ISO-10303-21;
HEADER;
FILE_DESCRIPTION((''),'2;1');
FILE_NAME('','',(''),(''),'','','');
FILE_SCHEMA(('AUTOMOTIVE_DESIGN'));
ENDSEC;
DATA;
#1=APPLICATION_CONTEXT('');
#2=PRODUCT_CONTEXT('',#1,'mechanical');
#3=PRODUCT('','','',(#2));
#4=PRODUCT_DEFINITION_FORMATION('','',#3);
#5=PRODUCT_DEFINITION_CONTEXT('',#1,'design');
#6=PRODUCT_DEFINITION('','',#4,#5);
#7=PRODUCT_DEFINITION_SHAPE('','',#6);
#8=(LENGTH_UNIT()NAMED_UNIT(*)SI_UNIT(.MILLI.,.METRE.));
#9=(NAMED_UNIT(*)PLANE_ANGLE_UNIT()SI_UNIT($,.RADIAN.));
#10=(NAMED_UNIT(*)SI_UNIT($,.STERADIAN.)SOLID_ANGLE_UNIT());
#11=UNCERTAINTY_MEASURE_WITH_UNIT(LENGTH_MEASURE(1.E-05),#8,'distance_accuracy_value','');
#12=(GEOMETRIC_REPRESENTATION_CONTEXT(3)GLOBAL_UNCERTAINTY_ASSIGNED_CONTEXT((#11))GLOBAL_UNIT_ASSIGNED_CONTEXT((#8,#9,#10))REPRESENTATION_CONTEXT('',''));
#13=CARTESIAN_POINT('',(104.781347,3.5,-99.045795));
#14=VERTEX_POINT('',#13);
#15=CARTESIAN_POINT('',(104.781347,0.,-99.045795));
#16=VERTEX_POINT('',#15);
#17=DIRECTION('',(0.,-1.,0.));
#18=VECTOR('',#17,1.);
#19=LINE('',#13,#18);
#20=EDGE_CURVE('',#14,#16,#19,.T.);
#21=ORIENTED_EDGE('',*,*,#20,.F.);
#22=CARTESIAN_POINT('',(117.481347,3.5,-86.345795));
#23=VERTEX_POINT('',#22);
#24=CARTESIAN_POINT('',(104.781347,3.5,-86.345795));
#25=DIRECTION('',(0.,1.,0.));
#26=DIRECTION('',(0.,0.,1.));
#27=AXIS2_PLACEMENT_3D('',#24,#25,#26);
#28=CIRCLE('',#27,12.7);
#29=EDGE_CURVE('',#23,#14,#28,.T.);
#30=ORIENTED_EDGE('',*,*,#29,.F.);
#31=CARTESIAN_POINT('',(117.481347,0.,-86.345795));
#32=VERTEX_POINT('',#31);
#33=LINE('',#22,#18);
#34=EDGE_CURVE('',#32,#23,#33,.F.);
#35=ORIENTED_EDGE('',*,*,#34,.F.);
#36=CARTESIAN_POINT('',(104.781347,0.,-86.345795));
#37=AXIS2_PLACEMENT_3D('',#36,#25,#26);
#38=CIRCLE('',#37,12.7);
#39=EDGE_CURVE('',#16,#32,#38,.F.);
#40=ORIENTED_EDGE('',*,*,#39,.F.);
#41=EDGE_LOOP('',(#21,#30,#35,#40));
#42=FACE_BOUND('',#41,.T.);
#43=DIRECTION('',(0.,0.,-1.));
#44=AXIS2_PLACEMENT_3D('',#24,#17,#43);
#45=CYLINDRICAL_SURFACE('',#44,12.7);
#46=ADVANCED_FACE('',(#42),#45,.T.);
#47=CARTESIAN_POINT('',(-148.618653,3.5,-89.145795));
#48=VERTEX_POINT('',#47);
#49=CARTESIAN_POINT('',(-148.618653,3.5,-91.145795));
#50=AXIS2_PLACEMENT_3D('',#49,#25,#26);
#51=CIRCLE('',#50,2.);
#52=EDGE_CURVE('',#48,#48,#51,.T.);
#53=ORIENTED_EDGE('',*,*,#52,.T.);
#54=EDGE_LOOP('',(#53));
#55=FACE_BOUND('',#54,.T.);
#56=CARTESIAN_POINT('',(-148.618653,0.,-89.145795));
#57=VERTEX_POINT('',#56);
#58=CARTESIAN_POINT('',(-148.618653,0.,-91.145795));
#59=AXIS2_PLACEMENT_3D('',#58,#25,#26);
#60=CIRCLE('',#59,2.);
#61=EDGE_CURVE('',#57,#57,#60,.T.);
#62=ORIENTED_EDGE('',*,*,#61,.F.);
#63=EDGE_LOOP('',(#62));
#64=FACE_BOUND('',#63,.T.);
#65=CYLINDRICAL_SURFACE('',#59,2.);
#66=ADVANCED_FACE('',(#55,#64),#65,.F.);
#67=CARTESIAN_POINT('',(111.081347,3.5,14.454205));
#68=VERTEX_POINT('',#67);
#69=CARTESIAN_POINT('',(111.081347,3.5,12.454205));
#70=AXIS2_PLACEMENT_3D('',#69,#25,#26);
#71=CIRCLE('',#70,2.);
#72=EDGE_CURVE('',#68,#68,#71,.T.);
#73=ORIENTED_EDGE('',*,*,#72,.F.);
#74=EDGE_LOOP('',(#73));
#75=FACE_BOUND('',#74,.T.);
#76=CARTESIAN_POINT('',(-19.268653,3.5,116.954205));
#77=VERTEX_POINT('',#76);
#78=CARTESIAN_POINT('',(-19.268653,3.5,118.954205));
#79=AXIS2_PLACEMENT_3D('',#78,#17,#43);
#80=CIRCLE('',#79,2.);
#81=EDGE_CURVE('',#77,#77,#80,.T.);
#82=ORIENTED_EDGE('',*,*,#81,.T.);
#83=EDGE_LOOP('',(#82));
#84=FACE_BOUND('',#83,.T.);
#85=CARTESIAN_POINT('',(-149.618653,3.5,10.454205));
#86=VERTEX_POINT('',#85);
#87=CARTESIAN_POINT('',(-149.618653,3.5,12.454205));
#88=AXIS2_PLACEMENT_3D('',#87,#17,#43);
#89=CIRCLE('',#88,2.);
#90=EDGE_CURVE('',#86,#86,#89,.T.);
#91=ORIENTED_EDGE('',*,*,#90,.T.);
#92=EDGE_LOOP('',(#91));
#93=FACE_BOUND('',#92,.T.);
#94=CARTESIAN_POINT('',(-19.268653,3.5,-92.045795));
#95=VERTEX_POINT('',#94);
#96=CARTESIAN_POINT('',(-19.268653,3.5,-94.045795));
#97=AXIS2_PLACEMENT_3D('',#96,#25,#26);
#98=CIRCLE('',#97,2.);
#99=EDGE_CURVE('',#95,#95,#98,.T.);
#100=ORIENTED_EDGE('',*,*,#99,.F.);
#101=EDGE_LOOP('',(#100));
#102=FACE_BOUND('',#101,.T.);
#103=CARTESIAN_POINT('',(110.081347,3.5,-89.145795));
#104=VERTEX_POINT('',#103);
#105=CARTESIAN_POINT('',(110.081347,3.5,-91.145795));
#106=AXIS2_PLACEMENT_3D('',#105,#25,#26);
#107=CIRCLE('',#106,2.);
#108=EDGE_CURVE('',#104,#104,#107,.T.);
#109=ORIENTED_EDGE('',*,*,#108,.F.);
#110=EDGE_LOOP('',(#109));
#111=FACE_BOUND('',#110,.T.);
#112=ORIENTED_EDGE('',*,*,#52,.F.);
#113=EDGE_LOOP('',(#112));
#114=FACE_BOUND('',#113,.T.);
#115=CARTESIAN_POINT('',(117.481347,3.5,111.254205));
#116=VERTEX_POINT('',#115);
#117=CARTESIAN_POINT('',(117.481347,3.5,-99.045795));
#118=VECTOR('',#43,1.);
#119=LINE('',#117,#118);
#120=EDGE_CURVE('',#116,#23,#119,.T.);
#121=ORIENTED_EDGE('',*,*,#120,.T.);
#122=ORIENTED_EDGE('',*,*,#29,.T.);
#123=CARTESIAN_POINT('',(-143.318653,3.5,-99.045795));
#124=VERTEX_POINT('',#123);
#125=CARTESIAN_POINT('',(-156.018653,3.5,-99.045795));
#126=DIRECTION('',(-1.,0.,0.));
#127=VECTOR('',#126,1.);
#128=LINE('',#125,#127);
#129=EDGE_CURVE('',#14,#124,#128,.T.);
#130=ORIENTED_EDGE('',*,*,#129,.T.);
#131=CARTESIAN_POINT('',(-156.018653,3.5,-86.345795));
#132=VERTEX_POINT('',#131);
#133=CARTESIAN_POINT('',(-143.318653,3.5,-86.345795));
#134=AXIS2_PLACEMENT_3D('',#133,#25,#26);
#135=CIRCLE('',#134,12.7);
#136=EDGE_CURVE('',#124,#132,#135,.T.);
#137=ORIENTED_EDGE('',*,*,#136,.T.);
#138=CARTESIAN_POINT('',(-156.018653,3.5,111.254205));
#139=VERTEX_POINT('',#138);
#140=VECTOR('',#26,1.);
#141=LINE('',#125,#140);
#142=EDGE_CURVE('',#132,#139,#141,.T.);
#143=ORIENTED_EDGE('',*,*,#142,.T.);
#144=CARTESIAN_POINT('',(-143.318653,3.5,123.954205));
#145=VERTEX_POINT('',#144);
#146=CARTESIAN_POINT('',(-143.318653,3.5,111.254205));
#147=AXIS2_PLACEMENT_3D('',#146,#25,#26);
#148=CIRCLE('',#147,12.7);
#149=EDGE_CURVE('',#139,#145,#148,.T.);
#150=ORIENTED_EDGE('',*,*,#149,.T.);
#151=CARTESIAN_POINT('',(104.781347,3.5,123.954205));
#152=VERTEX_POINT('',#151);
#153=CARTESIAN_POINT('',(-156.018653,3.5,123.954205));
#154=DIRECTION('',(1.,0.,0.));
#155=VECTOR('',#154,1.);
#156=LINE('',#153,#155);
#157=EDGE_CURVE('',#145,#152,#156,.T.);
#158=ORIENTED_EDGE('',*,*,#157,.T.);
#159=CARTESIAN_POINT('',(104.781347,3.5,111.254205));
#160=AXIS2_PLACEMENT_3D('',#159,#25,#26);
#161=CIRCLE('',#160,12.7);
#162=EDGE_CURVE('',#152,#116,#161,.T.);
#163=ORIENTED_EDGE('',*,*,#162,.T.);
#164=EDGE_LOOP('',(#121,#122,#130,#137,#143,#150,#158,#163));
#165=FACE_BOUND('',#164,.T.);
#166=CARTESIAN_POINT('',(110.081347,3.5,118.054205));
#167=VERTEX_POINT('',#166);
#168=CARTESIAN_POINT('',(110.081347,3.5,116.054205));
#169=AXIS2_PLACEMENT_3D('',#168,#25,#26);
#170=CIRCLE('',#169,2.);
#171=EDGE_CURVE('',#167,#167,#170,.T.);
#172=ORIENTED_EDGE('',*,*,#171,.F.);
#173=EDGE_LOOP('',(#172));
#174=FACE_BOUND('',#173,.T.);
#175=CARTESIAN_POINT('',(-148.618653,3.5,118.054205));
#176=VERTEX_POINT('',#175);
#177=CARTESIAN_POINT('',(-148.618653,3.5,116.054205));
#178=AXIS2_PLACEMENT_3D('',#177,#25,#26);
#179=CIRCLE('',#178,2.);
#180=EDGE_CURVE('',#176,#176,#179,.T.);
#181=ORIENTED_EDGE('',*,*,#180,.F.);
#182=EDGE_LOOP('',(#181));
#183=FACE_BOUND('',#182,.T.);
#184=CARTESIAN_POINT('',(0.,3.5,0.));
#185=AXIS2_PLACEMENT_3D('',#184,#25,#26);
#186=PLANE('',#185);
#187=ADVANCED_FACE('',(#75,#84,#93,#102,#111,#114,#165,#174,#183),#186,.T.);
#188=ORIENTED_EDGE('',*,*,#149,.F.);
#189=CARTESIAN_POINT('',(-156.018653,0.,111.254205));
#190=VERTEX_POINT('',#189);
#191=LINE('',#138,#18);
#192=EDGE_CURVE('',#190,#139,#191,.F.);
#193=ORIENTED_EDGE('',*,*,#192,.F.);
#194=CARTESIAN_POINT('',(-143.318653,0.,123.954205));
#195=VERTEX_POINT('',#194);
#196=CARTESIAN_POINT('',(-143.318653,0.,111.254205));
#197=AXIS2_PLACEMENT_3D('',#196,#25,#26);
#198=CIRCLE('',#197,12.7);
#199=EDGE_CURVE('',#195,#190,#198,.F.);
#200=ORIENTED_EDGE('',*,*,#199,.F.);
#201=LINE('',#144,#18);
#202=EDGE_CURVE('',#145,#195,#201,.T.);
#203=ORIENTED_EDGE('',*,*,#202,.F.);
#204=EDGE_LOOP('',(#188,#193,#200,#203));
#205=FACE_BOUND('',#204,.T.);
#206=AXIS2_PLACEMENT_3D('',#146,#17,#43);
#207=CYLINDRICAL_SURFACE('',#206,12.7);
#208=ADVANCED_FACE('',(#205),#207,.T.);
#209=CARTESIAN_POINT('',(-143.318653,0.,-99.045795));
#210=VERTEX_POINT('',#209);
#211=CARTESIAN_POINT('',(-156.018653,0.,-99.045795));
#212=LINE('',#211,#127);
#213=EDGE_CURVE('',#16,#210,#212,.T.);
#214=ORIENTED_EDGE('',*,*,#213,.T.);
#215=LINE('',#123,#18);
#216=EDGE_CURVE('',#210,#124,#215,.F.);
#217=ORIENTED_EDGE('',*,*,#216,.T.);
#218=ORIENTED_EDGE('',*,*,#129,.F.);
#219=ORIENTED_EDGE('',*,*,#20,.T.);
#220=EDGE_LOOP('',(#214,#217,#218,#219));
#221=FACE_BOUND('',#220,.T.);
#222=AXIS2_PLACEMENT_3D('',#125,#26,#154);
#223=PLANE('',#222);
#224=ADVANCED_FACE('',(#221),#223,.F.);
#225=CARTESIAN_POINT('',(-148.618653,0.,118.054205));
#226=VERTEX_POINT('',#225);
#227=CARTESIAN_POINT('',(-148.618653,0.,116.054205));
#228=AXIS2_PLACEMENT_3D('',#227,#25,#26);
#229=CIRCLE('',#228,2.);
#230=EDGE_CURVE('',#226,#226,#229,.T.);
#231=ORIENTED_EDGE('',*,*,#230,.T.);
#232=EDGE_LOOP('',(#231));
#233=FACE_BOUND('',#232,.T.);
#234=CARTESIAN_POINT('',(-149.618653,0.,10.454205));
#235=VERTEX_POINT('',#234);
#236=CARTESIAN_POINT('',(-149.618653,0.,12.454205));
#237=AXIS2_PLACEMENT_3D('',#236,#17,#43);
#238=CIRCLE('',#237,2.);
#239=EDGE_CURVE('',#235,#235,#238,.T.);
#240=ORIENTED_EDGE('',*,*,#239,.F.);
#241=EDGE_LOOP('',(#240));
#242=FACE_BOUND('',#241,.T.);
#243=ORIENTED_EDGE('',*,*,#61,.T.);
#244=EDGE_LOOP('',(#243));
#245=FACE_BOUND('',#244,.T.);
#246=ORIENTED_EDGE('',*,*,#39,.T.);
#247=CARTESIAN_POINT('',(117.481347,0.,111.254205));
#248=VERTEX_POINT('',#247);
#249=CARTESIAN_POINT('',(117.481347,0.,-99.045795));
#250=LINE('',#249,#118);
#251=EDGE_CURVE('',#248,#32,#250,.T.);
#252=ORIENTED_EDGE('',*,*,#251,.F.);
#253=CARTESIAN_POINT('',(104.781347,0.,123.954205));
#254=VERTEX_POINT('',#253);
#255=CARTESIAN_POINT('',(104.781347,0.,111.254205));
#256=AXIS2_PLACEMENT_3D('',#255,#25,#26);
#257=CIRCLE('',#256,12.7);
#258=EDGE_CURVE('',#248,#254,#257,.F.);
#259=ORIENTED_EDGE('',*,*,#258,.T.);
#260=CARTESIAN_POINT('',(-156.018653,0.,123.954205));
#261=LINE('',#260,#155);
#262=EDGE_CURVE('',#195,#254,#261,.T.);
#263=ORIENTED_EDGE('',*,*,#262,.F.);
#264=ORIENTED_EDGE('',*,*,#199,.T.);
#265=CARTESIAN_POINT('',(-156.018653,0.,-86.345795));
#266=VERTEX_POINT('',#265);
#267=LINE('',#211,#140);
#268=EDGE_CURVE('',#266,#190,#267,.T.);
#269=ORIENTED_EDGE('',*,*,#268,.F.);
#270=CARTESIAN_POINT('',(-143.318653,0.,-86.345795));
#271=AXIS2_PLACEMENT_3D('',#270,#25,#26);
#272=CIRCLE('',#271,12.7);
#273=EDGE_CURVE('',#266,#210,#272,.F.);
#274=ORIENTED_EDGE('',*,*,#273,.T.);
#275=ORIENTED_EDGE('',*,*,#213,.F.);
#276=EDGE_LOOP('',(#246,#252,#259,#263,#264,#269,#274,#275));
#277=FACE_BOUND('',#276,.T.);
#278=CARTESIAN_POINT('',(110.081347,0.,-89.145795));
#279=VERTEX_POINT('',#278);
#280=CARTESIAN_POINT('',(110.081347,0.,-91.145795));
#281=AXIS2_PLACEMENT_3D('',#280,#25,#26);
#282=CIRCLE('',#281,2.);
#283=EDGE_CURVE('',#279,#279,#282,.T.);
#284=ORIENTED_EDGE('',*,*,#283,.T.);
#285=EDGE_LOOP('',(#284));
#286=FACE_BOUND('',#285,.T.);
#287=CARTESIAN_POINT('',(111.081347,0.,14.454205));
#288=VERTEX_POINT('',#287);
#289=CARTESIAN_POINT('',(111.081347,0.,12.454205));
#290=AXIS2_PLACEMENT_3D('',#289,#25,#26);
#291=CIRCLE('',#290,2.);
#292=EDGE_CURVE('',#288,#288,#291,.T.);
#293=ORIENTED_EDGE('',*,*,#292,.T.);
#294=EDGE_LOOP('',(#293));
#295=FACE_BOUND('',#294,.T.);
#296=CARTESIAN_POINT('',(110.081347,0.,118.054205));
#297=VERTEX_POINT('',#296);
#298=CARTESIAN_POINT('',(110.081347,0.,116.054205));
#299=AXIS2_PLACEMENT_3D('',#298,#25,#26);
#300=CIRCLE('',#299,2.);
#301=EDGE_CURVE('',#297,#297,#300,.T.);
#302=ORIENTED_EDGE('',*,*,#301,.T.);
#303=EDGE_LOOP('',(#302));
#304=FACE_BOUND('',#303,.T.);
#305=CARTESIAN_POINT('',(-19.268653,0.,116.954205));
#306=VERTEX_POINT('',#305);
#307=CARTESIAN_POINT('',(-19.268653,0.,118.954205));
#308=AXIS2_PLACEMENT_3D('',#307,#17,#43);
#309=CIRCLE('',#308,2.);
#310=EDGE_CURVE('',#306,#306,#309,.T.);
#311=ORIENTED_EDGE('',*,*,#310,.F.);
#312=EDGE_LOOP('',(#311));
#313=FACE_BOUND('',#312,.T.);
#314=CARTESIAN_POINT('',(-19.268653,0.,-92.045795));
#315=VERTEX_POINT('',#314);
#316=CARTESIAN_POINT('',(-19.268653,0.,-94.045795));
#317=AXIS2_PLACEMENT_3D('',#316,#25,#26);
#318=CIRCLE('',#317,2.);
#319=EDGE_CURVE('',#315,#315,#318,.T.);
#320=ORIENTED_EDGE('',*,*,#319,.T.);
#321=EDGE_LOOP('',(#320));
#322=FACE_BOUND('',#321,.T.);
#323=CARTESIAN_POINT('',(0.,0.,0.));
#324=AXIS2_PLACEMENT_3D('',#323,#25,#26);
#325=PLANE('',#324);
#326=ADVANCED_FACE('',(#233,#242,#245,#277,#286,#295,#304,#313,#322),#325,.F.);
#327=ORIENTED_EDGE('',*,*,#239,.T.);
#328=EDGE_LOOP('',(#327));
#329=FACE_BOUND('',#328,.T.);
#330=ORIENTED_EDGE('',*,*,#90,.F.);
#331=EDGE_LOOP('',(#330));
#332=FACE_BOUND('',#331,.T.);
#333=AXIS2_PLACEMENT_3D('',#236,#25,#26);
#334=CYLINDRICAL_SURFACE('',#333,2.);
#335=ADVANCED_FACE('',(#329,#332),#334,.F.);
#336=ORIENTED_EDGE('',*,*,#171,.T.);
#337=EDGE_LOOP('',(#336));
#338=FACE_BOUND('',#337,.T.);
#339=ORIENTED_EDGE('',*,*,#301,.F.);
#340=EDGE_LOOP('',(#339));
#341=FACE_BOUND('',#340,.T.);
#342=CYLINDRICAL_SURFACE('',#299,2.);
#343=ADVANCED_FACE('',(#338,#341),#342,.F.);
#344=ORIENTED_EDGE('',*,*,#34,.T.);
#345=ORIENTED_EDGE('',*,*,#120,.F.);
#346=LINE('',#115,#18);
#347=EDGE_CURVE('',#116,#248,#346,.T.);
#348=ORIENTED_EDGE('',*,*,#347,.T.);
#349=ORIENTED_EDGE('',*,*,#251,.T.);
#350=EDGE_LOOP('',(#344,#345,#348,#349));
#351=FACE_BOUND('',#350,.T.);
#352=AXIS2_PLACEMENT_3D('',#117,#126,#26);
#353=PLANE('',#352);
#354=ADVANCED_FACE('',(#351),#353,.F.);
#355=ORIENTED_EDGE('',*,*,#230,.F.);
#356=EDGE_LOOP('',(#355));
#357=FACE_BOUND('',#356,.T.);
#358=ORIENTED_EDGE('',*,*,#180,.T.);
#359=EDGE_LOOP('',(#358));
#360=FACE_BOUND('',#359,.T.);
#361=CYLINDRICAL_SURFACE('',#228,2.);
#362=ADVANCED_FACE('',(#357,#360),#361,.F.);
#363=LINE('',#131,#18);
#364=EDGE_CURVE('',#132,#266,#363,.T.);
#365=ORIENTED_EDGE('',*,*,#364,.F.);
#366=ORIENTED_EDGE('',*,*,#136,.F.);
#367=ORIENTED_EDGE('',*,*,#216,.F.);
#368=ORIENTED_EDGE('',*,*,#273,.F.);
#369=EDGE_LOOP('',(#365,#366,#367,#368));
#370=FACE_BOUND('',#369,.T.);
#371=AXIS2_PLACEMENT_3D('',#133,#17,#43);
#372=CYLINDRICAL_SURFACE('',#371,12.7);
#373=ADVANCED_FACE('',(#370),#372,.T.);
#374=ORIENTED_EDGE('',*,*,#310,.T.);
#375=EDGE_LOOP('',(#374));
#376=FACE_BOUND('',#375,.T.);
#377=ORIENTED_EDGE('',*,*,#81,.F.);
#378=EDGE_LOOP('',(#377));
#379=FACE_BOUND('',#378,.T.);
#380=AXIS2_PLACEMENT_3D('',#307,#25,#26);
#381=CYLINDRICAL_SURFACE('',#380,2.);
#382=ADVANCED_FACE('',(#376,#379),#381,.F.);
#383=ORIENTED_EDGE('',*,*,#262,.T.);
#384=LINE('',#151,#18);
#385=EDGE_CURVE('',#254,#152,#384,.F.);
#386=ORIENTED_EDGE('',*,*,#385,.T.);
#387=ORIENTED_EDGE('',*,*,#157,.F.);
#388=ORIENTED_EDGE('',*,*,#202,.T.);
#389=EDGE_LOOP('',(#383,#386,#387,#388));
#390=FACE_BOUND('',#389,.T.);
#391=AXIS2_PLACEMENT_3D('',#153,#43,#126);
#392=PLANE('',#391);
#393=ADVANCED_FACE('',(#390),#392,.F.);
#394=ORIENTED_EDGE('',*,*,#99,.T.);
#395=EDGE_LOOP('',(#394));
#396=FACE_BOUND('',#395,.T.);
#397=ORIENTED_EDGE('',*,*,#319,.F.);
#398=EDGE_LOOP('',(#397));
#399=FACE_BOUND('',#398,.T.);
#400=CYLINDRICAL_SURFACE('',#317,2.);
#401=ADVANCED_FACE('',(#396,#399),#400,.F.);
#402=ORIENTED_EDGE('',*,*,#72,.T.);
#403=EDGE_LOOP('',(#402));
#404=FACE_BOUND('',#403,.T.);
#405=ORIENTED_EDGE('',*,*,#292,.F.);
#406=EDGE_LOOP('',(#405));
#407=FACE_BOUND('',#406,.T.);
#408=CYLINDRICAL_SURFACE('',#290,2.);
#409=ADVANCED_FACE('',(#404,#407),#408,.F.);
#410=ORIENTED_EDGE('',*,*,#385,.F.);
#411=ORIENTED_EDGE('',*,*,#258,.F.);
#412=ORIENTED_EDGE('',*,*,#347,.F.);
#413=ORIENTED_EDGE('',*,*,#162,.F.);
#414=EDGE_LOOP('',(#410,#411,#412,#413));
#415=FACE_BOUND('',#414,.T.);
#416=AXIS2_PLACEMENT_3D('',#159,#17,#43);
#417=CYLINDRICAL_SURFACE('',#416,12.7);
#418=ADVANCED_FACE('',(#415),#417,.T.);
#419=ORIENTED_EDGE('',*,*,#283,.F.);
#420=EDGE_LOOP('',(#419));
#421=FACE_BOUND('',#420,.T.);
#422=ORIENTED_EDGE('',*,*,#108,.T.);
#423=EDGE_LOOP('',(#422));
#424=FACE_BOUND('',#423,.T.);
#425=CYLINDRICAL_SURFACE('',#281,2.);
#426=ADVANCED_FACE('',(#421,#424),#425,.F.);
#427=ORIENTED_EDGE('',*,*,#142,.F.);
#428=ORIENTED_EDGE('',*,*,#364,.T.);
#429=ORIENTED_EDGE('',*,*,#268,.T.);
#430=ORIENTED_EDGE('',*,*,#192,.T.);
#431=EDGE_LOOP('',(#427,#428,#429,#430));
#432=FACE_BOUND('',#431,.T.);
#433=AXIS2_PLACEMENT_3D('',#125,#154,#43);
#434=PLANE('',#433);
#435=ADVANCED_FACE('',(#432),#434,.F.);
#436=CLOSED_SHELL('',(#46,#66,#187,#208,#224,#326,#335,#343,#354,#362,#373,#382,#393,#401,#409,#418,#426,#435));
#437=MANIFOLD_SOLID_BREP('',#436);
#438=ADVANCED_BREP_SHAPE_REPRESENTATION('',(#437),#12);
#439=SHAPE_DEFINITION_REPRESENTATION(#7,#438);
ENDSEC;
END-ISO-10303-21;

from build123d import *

# Parameters (mm, degrees)
SKETCH1_W           = 273.5
SKETCH1_H           = 223
BOSS_EXTRUDE1_DEPTH = 3.5
FILLET1_R           = 12.7
SKETCH2_R           = 2
CUT_EXTRUDE1_DEPTH  = 3.5


with BuildPart() as part:
    # Sketch1 → Boss-Extrude1 (new body)
    with BuildSketch(Plane(origin=(0, 0, 0), x_dir=(1, 0, 0), z_dir=(0, 1, 0))):
        with Locations((-19.268652803, -12.454205426)):
            Rectangle(SKETCH1_W, SKETCH1_H)
    extrude(amount=BOSS_EXTRUDE1_DEPTH)

    # Fillet1
    fillet1_edges = [part.edges().sort_by_distance(p)[0] for p in [
        (-156.018652803, 1.75, -99.045794574),
        (117.481347197, 1.75, -99.045794574),
        (117.481347197, 1.75, 123.954205426),
        (-156.018652803, 1.75, 123.954205426),
    ]]
    fillet(fillet1_edges, radius=FILLET1_R)

    # Sketch2 → Cut-Extrude1 (cut)
    with BuildSketch(Plane(origin=(0, 3.5, 0), x_dir=(1, 0, 0), z_dir=(0, 1, 0))):
        with Locations((-19.268652803, 94.045794574)):
            Circle(SKETCH2_R)
        with Locations((-148.618652803, 91.145794574)):
            Circle(SKETCH2_R)
        with Locations((110.081347197, 91.145794574)):
            Circle(SKETCH2_R)
        with Locations((110.081347197, -116.054205426)):
            Circle(SKETCH2_R)
        with Locations((-148.618652803, -116.054205426)):
            Circle(SKETCH2_R)
        with Locations((-19.268652803, -118.954205426)):
            Circle(SKETCH2_R)
        with Locations((111.081347197, -12.454205426)):
            Circle(SKETCH2_R)
        with Locations((-149.618652803, -12.454205426)):
            Circle(SKETCH2_R)
    extrude(amount=-CUT_EXTRUDE1_DEPTH, mode=Mode.SUBTRACT)


solid = part.part
